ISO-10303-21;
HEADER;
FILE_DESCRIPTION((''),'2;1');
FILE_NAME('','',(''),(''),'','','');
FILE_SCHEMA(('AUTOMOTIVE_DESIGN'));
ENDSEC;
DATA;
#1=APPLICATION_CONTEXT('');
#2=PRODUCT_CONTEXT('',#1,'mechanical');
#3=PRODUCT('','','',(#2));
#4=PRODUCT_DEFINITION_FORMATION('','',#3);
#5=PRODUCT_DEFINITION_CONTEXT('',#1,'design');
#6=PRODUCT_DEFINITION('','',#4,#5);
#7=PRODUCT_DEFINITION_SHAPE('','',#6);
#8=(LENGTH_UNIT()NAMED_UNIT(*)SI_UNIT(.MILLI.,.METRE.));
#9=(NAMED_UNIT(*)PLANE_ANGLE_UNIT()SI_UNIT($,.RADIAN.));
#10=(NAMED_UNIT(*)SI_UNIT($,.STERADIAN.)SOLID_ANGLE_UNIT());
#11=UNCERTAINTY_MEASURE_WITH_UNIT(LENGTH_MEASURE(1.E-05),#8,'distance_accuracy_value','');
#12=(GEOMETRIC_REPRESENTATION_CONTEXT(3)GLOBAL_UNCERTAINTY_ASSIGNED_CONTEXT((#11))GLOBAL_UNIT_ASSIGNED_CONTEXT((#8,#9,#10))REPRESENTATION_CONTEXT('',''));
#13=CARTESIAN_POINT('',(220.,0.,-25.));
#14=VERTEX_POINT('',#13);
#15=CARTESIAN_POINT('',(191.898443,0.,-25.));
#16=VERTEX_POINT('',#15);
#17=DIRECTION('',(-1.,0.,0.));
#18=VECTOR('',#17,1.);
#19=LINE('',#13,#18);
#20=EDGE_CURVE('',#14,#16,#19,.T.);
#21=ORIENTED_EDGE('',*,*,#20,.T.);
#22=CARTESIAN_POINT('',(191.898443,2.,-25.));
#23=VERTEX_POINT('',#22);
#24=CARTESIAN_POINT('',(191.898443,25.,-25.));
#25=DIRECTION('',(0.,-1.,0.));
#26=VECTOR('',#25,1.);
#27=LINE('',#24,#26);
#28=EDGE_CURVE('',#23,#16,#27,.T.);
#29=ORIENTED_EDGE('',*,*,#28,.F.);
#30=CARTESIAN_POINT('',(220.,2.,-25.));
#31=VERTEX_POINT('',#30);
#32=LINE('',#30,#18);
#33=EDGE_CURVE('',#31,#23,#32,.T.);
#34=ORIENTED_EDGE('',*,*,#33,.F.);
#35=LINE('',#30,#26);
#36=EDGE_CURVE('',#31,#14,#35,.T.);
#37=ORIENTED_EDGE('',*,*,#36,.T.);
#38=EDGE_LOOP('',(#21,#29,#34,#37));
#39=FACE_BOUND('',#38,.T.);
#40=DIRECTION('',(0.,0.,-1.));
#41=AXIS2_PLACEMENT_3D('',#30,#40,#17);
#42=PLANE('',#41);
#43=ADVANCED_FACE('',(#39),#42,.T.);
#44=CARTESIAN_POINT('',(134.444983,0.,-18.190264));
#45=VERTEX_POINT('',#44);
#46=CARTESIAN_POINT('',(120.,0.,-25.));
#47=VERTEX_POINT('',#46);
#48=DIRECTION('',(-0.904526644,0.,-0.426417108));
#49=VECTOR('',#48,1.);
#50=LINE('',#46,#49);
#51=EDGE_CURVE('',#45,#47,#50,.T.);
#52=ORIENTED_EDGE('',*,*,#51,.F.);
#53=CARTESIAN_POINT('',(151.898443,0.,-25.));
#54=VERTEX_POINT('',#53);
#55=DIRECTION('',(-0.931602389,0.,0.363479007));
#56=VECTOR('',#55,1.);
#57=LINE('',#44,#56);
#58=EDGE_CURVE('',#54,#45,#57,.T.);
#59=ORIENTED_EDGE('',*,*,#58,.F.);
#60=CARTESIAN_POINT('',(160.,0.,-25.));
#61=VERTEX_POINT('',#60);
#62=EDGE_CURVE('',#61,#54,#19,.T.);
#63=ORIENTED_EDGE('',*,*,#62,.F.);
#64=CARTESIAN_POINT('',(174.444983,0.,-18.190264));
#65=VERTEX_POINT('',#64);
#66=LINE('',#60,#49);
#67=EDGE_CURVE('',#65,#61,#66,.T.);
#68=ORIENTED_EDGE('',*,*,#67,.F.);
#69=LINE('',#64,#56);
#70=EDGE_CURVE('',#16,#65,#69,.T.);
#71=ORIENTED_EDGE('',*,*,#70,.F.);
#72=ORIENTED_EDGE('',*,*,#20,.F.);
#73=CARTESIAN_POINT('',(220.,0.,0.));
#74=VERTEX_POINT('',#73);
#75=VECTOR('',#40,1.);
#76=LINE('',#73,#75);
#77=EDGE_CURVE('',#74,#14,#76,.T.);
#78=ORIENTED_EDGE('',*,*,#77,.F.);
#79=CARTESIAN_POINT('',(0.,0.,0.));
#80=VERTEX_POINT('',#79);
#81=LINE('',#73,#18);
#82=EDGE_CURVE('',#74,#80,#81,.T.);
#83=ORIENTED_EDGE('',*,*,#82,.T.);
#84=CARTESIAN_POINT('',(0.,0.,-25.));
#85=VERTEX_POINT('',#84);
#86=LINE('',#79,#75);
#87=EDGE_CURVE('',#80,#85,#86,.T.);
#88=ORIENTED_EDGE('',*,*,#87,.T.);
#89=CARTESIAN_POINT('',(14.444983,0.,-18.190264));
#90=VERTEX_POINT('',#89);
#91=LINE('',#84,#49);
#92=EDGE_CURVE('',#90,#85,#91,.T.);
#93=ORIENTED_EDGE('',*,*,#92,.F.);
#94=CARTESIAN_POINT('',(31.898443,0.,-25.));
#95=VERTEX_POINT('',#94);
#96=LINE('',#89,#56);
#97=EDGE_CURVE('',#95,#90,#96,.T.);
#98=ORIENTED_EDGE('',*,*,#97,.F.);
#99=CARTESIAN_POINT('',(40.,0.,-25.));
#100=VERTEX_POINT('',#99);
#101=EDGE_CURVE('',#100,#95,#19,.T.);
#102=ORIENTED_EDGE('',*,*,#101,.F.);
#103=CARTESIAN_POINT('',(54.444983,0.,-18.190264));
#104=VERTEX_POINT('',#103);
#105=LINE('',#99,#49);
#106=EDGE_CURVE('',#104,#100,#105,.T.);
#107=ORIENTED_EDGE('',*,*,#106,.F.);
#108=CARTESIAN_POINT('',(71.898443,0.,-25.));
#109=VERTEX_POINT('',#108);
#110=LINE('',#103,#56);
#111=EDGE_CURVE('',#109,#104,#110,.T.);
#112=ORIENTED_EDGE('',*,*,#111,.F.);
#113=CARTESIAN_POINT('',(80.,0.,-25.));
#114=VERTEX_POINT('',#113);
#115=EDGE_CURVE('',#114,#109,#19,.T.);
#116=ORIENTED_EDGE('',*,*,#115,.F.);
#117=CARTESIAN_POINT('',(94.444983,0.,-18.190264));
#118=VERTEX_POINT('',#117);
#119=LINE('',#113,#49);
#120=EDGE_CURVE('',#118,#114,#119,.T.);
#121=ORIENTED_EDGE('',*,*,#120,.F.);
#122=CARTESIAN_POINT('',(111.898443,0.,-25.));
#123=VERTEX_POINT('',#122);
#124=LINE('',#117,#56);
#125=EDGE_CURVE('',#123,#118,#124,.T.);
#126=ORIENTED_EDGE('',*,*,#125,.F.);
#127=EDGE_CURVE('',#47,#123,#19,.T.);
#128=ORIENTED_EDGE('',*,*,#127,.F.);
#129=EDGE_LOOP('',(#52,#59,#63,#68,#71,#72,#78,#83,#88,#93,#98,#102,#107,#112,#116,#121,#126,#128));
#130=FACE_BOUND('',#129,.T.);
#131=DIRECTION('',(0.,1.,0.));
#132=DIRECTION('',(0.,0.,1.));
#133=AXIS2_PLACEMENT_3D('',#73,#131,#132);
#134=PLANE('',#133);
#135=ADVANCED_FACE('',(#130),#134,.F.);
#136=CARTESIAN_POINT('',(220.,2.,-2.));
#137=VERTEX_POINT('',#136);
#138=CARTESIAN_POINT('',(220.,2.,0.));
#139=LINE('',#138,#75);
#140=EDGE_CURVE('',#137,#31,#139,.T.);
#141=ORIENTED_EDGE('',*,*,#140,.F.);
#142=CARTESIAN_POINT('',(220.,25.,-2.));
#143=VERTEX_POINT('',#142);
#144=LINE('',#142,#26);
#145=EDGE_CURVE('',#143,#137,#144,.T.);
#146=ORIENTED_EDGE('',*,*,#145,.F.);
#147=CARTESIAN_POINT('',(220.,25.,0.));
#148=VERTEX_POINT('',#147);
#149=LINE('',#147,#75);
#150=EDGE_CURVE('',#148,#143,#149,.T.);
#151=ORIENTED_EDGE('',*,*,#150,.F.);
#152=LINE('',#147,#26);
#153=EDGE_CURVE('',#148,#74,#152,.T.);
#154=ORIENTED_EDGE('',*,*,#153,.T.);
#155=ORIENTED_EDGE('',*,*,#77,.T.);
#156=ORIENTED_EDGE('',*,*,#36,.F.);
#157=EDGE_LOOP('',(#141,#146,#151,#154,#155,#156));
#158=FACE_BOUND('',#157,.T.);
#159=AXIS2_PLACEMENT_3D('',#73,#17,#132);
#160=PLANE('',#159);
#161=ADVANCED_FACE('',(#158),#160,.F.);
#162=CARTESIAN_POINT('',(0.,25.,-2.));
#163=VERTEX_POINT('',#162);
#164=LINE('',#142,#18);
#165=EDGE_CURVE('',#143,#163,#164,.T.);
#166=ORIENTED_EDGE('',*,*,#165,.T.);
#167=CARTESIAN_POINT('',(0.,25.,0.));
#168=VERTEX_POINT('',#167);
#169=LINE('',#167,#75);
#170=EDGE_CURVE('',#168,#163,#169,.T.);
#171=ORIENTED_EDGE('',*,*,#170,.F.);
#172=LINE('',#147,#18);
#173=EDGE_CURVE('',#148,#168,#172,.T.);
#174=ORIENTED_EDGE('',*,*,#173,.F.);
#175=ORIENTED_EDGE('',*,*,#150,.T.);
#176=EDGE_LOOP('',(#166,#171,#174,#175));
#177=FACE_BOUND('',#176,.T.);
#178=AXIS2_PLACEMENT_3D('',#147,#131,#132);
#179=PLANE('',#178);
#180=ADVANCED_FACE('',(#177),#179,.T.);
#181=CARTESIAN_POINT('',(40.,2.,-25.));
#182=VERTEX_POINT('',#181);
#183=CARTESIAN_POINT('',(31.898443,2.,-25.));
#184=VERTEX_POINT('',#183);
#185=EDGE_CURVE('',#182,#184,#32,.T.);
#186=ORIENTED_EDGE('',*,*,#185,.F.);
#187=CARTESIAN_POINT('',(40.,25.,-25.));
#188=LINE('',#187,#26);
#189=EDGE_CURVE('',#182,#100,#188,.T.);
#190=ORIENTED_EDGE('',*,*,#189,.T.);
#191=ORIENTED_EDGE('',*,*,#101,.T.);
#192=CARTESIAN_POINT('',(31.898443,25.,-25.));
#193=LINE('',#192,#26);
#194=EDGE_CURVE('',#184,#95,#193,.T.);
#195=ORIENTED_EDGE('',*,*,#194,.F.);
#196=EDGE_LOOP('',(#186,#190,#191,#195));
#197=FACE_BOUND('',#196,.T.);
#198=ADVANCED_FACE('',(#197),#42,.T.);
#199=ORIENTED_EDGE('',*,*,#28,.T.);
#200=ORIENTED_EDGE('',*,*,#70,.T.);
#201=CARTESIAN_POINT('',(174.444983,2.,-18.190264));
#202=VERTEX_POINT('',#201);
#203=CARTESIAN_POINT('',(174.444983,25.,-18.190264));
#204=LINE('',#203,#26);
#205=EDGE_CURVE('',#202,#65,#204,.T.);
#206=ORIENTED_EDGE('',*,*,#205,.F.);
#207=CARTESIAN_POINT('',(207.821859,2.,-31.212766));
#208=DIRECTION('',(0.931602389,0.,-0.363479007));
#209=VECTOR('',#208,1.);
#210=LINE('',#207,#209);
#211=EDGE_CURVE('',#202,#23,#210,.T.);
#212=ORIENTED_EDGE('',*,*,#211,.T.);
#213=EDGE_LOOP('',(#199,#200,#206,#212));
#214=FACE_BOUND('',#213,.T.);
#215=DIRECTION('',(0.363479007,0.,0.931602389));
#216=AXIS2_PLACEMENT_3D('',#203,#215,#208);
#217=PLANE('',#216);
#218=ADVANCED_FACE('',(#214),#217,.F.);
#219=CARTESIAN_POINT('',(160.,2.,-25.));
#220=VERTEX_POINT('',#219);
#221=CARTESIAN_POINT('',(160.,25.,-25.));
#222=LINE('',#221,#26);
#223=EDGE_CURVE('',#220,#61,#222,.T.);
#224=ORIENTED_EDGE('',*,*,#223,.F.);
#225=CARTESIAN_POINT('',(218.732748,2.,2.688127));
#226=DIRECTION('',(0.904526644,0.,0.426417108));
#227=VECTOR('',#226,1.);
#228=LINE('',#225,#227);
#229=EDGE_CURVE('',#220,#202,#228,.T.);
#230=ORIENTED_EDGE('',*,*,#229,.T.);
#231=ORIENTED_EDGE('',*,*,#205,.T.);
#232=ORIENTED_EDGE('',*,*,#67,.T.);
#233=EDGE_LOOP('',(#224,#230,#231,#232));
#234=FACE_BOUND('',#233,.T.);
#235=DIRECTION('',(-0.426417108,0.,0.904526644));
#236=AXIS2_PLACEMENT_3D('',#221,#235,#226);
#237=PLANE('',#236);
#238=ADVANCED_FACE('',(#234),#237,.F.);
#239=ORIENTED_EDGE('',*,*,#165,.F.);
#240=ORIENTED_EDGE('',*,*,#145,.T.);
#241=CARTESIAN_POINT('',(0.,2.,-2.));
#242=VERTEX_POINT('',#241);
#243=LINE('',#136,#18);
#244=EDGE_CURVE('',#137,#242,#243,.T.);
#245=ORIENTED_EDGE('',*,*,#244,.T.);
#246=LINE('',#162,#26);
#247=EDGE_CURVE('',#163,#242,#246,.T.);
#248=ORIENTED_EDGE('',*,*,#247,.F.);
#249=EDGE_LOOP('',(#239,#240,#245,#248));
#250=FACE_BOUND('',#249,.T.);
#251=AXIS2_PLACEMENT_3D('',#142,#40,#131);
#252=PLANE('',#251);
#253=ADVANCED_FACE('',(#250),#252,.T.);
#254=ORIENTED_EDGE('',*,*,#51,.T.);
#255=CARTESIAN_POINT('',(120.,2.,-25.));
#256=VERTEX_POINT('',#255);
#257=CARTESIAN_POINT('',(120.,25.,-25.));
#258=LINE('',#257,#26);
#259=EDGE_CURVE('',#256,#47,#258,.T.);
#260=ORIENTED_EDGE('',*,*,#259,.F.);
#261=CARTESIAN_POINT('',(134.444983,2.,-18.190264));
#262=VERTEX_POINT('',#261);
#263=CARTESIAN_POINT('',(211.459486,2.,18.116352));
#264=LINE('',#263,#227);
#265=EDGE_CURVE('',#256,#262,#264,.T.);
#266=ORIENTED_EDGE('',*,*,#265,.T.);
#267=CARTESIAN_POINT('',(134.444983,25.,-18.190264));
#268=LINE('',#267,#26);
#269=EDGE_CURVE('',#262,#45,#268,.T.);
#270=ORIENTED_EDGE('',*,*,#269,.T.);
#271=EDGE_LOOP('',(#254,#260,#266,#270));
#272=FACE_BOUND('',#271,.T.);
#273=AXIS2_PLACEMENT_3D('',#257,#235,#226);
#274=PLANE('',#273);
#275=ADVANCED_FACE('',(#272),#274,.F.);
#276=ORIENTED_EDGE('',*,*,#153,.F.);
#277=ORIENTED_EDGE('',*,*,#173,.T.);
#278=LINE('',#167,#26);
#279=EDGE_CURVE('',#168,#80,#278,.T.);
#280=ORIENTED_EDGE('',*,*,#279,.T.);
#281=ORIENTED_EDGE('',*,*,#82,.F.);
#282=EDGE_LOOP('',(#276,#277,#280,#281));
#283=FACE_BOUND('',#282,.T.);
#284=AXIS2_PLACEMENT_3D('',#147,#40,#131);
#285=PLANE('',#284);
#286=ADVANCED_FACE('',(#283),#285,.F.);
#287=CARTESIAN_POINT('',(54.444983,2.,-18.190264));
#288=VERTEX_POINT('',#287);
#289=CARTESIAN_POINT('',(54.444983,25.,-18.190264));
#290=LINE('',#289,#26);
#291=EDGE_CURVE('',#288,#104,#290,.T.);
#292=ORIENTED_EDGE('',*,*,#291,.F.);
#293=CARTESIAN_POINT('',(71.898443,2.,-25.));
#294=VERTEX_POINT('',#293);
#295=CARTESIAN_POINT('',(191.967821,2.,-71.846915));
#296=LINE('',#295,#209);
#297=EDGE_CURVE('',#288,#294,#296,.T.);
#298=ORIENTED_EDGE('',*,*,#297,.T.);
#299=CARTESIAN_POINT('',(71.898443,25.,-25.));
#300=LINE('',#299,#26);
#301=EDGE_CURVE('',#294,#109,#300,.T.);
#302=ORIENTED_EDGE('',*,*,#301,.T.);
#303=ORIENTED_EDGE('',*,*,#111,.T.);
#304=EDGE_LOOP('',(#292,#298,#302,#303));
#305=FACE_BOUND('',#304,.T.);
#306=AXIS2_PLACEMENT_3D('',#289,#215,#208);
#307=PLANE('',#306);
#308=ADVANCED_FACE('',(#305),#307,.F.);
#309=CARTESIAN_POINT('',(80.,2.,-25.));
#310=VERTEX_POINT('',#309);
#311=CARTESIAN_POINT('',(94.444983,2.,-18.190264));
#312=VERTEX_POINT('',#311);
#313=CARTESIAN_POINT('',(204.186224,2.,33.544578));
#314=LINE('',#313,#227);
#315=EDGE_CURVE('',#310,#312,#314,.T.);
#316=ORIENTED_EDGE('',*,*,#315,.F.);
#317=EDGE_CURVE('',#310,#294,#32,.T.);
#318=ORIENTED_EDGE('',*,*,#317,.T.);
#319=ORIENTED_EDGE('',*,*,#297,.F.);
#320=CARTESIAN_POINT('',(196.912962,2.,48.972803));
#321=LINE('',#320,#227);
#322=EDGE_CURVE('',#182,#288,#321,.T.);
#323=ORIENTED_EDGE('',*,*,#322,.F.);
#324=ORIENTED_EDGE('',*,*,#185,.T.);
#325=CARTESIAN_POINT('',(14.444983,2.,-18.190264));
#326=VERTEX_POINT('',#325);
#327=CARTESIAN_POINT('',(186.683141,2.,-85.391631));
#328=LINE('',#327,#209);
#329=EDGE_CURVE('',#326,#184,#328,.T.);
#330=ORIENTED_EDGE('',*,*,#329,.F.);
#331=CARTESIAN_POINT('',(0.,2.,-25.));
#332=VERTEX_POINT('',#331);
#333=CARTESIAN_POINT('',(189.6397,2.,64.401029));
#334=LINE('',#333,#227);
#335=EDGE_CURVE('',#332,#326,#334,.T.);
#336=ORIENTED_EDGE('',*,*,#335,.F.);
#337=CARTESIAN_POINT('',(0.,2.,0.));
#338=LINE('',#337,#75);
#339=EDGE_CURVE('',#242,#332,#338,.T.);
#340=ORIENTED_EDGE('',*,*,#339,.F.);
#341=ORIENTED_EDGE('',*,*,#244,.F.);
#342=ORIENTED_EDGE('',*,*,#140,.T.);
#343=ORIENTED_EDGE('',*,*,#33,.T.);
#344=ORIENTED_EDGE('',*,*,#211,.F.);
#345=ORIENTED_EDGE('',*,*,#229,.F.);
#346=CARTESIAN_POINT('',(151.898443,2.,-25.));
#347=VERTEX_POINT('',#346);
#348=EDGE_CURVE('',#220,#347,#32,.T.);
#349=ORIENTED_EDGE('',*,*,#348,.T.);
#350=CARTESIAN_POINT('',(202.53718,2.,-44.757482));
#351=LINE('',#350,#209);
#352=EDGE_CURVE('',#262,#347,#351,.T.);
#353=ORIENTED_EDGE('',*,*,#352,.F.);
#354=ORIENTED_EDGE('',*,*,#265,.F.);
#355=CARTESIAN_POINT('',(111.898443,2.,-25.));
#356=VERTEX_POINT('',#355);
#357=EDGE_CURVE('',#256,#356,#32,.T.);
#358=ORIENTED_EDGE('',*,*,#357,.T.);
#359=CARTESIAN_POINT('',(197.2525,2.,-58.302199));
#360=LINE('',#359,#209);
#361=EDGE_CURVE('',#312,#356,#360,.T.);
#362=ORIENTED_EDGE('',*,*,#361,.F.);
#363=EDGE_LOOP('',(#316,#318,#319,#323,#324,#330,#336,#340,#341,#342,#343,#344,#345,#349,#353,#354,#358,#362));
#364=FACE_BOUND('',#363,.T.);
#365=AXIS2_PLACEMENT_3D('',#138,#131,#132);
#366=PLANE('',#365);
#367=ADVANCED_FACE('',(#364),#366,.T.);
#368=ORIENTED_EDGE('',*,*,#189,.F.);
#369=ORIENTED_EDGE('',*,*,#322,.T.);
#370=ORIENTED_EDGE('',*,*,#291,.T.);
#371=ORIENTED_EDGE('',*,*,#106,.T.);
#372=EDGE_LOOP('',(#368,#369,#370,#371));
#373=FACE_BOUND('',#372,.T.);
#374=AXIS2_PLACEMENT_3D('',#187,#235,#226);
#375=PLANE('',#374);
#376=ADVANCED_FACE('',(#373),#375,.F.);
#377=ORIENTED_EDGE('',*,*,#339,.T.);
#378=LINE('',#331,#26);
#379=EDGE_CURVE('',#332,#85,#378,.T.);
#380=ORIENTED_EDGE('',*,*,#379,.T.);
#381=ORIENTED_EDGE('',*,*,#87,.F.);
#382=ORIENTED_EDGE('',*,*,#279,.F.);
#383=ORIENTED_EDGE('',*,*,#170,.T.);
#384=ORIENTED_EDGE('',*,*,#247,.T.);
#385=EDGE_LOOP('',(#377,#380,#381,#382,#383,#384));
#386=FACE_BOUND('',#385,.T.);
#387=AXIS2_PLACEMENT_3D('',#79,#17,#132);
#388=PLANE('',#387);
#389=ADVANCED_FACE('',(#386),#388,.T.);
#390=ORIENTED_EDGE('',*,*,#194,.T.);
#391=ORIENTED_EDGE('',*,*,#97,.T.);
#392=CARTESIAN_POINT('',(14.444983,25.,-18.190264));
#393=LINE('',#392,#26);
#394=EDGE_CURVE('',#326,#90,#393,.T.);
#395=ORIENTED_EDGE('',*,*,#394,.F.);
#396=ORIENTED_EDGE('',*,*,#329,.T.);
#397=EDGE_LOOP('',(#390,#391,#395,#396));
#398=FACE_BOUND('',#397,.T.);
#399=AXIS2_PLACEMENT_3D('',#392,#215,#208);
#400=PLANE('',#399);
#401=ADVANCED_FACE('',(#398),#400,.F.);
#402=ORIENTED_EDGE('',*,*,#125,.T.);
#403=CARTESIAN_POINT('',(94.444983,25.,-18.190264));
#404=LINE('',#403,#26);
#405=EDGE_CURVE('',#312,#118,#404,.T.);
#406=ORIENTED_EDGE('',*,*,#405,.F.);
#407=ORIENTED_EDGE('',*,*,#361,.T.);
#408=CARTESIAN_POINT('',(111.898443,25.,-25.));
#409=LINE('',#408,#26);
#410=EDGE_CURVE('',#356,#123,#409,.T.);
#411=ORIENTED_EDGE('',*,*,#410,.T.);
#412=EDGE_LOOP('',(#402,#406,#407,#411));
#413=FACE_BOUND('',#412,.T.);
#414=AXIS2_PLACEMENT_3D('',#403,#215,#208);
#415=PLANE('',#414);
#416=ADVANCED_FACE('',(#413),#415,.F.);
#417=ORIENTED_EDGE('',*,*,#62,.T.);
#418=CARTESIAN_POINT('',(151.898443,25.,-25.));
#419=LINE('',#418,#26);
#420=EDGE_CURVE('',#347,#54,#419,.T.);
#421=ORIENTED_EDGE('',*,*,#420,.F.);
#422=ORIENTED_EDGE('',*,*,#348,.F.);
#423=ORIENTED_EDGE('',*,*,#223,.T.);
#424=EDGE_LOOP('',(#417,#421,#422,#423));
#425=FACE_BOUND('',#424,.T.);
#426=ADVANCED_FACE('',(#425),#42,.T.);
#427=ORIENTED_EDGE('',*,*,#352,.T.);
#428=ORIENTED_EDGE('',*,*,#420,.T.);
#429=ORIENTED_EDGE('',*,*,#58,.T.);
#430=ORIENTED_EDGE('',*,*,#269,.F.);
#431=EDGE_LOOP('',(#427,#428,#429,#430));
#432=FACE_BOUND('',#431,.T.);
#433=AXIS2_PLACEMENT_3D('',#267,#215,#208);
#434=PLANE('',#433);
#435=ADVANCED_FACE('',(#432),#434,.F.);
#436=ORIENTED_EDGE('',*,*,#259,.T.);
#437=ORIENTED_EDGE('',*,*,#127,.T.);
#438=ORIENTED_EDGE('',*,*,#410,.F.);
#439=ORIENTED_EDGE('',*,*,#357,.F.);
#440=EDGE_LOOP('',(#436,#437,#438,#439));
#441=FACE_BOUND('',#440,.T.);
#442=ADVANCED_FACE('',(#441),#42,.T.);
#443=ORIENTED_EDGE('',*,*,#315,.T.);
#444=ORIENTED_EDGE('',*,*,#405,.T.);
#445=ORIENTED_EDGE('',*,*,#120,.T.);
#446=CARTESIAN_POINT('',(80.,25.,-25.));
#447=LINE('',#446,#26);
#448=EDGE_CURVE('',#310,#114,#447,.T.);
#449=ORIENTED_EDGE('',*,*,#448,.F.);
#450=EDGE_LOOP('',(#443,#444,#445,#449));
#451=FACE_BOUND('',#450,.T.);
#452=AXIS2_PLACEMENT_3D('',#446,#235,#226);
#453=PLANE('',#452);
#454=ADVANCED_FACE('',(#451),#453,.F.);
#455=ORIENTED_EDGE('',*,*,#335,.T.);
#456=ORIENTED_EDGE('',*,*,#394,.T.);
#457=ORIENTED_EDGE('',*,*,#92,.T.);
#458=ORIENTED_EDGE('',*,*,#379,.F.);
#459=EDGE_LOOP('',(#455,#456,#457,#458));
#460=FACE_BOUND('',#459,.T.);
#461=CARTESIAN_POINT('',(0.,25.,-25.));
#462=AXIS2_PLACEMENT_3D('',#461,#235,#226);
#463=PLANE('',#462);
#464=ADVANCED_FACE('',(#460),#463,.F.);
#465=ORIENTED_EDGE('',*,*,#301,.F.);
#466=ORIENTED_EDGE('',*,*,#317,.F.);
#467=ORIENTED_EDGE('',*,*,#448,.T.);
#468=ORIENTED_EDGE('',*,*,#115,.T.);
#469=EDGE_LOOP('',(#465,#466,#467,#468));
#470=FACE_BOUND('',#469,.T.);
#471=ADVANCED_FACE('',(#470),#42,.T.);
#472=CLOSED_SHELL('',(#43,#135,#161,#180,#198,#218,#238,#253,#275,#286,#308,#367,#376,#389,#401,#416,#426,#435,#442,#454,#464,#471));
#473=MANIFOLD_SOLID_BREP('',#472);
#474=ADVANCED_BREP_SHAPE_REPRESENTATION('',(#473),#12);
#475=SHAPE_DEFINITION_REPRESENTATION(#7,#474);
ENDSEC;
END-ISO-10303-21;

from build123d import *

# Parameters (mm, degrees)
EXTRUDE_1_DEPTH     = 220
CUT_EXTRUDE_1_DEPTH = 26


with BuildPart() as part:
    # Эскиз1 → Вытянуть-Тонкостенный1 (new body)
    with BuildSketch(Plane(origin=(0, 0, 0), x_dir=(0, 0, -1), z_dir=(1, 0, 0))):
        Polygon((0, 25), (0, 0), (25, 0), (25, 2), (2, 2), (2, 25), align=None)
    extrude(amount=EXTRUDE_1_DEPTH)

    # Эскиз3 → Вырез-Вытянуть1 (cut, through all)
    with BuildSketch(Plane.XZ):
        Polygon((0, -25), (14.444982857, -18.190263819), (31.898443386, -25), align=None)
        Polygon((40, -25), (54.444982857, -18.190263819), (71.898443386, -25), align=None)
        Polygon((80, -25), (94.444982857, -18.190263819), (111.898443386, -25), align=None)
        Polygon((120, -25), (134.444982857, -18.190263819), (151.898443386, -25), align=None)
        Polygon((160, -25), (174.444982857, -18.190263819), (191.898443386, -25), align=None)
    extrude(amount=-CUT_EXTRUDE_1_DEPTH, mode=Mode.SUBTRACT)


solid = part.part
